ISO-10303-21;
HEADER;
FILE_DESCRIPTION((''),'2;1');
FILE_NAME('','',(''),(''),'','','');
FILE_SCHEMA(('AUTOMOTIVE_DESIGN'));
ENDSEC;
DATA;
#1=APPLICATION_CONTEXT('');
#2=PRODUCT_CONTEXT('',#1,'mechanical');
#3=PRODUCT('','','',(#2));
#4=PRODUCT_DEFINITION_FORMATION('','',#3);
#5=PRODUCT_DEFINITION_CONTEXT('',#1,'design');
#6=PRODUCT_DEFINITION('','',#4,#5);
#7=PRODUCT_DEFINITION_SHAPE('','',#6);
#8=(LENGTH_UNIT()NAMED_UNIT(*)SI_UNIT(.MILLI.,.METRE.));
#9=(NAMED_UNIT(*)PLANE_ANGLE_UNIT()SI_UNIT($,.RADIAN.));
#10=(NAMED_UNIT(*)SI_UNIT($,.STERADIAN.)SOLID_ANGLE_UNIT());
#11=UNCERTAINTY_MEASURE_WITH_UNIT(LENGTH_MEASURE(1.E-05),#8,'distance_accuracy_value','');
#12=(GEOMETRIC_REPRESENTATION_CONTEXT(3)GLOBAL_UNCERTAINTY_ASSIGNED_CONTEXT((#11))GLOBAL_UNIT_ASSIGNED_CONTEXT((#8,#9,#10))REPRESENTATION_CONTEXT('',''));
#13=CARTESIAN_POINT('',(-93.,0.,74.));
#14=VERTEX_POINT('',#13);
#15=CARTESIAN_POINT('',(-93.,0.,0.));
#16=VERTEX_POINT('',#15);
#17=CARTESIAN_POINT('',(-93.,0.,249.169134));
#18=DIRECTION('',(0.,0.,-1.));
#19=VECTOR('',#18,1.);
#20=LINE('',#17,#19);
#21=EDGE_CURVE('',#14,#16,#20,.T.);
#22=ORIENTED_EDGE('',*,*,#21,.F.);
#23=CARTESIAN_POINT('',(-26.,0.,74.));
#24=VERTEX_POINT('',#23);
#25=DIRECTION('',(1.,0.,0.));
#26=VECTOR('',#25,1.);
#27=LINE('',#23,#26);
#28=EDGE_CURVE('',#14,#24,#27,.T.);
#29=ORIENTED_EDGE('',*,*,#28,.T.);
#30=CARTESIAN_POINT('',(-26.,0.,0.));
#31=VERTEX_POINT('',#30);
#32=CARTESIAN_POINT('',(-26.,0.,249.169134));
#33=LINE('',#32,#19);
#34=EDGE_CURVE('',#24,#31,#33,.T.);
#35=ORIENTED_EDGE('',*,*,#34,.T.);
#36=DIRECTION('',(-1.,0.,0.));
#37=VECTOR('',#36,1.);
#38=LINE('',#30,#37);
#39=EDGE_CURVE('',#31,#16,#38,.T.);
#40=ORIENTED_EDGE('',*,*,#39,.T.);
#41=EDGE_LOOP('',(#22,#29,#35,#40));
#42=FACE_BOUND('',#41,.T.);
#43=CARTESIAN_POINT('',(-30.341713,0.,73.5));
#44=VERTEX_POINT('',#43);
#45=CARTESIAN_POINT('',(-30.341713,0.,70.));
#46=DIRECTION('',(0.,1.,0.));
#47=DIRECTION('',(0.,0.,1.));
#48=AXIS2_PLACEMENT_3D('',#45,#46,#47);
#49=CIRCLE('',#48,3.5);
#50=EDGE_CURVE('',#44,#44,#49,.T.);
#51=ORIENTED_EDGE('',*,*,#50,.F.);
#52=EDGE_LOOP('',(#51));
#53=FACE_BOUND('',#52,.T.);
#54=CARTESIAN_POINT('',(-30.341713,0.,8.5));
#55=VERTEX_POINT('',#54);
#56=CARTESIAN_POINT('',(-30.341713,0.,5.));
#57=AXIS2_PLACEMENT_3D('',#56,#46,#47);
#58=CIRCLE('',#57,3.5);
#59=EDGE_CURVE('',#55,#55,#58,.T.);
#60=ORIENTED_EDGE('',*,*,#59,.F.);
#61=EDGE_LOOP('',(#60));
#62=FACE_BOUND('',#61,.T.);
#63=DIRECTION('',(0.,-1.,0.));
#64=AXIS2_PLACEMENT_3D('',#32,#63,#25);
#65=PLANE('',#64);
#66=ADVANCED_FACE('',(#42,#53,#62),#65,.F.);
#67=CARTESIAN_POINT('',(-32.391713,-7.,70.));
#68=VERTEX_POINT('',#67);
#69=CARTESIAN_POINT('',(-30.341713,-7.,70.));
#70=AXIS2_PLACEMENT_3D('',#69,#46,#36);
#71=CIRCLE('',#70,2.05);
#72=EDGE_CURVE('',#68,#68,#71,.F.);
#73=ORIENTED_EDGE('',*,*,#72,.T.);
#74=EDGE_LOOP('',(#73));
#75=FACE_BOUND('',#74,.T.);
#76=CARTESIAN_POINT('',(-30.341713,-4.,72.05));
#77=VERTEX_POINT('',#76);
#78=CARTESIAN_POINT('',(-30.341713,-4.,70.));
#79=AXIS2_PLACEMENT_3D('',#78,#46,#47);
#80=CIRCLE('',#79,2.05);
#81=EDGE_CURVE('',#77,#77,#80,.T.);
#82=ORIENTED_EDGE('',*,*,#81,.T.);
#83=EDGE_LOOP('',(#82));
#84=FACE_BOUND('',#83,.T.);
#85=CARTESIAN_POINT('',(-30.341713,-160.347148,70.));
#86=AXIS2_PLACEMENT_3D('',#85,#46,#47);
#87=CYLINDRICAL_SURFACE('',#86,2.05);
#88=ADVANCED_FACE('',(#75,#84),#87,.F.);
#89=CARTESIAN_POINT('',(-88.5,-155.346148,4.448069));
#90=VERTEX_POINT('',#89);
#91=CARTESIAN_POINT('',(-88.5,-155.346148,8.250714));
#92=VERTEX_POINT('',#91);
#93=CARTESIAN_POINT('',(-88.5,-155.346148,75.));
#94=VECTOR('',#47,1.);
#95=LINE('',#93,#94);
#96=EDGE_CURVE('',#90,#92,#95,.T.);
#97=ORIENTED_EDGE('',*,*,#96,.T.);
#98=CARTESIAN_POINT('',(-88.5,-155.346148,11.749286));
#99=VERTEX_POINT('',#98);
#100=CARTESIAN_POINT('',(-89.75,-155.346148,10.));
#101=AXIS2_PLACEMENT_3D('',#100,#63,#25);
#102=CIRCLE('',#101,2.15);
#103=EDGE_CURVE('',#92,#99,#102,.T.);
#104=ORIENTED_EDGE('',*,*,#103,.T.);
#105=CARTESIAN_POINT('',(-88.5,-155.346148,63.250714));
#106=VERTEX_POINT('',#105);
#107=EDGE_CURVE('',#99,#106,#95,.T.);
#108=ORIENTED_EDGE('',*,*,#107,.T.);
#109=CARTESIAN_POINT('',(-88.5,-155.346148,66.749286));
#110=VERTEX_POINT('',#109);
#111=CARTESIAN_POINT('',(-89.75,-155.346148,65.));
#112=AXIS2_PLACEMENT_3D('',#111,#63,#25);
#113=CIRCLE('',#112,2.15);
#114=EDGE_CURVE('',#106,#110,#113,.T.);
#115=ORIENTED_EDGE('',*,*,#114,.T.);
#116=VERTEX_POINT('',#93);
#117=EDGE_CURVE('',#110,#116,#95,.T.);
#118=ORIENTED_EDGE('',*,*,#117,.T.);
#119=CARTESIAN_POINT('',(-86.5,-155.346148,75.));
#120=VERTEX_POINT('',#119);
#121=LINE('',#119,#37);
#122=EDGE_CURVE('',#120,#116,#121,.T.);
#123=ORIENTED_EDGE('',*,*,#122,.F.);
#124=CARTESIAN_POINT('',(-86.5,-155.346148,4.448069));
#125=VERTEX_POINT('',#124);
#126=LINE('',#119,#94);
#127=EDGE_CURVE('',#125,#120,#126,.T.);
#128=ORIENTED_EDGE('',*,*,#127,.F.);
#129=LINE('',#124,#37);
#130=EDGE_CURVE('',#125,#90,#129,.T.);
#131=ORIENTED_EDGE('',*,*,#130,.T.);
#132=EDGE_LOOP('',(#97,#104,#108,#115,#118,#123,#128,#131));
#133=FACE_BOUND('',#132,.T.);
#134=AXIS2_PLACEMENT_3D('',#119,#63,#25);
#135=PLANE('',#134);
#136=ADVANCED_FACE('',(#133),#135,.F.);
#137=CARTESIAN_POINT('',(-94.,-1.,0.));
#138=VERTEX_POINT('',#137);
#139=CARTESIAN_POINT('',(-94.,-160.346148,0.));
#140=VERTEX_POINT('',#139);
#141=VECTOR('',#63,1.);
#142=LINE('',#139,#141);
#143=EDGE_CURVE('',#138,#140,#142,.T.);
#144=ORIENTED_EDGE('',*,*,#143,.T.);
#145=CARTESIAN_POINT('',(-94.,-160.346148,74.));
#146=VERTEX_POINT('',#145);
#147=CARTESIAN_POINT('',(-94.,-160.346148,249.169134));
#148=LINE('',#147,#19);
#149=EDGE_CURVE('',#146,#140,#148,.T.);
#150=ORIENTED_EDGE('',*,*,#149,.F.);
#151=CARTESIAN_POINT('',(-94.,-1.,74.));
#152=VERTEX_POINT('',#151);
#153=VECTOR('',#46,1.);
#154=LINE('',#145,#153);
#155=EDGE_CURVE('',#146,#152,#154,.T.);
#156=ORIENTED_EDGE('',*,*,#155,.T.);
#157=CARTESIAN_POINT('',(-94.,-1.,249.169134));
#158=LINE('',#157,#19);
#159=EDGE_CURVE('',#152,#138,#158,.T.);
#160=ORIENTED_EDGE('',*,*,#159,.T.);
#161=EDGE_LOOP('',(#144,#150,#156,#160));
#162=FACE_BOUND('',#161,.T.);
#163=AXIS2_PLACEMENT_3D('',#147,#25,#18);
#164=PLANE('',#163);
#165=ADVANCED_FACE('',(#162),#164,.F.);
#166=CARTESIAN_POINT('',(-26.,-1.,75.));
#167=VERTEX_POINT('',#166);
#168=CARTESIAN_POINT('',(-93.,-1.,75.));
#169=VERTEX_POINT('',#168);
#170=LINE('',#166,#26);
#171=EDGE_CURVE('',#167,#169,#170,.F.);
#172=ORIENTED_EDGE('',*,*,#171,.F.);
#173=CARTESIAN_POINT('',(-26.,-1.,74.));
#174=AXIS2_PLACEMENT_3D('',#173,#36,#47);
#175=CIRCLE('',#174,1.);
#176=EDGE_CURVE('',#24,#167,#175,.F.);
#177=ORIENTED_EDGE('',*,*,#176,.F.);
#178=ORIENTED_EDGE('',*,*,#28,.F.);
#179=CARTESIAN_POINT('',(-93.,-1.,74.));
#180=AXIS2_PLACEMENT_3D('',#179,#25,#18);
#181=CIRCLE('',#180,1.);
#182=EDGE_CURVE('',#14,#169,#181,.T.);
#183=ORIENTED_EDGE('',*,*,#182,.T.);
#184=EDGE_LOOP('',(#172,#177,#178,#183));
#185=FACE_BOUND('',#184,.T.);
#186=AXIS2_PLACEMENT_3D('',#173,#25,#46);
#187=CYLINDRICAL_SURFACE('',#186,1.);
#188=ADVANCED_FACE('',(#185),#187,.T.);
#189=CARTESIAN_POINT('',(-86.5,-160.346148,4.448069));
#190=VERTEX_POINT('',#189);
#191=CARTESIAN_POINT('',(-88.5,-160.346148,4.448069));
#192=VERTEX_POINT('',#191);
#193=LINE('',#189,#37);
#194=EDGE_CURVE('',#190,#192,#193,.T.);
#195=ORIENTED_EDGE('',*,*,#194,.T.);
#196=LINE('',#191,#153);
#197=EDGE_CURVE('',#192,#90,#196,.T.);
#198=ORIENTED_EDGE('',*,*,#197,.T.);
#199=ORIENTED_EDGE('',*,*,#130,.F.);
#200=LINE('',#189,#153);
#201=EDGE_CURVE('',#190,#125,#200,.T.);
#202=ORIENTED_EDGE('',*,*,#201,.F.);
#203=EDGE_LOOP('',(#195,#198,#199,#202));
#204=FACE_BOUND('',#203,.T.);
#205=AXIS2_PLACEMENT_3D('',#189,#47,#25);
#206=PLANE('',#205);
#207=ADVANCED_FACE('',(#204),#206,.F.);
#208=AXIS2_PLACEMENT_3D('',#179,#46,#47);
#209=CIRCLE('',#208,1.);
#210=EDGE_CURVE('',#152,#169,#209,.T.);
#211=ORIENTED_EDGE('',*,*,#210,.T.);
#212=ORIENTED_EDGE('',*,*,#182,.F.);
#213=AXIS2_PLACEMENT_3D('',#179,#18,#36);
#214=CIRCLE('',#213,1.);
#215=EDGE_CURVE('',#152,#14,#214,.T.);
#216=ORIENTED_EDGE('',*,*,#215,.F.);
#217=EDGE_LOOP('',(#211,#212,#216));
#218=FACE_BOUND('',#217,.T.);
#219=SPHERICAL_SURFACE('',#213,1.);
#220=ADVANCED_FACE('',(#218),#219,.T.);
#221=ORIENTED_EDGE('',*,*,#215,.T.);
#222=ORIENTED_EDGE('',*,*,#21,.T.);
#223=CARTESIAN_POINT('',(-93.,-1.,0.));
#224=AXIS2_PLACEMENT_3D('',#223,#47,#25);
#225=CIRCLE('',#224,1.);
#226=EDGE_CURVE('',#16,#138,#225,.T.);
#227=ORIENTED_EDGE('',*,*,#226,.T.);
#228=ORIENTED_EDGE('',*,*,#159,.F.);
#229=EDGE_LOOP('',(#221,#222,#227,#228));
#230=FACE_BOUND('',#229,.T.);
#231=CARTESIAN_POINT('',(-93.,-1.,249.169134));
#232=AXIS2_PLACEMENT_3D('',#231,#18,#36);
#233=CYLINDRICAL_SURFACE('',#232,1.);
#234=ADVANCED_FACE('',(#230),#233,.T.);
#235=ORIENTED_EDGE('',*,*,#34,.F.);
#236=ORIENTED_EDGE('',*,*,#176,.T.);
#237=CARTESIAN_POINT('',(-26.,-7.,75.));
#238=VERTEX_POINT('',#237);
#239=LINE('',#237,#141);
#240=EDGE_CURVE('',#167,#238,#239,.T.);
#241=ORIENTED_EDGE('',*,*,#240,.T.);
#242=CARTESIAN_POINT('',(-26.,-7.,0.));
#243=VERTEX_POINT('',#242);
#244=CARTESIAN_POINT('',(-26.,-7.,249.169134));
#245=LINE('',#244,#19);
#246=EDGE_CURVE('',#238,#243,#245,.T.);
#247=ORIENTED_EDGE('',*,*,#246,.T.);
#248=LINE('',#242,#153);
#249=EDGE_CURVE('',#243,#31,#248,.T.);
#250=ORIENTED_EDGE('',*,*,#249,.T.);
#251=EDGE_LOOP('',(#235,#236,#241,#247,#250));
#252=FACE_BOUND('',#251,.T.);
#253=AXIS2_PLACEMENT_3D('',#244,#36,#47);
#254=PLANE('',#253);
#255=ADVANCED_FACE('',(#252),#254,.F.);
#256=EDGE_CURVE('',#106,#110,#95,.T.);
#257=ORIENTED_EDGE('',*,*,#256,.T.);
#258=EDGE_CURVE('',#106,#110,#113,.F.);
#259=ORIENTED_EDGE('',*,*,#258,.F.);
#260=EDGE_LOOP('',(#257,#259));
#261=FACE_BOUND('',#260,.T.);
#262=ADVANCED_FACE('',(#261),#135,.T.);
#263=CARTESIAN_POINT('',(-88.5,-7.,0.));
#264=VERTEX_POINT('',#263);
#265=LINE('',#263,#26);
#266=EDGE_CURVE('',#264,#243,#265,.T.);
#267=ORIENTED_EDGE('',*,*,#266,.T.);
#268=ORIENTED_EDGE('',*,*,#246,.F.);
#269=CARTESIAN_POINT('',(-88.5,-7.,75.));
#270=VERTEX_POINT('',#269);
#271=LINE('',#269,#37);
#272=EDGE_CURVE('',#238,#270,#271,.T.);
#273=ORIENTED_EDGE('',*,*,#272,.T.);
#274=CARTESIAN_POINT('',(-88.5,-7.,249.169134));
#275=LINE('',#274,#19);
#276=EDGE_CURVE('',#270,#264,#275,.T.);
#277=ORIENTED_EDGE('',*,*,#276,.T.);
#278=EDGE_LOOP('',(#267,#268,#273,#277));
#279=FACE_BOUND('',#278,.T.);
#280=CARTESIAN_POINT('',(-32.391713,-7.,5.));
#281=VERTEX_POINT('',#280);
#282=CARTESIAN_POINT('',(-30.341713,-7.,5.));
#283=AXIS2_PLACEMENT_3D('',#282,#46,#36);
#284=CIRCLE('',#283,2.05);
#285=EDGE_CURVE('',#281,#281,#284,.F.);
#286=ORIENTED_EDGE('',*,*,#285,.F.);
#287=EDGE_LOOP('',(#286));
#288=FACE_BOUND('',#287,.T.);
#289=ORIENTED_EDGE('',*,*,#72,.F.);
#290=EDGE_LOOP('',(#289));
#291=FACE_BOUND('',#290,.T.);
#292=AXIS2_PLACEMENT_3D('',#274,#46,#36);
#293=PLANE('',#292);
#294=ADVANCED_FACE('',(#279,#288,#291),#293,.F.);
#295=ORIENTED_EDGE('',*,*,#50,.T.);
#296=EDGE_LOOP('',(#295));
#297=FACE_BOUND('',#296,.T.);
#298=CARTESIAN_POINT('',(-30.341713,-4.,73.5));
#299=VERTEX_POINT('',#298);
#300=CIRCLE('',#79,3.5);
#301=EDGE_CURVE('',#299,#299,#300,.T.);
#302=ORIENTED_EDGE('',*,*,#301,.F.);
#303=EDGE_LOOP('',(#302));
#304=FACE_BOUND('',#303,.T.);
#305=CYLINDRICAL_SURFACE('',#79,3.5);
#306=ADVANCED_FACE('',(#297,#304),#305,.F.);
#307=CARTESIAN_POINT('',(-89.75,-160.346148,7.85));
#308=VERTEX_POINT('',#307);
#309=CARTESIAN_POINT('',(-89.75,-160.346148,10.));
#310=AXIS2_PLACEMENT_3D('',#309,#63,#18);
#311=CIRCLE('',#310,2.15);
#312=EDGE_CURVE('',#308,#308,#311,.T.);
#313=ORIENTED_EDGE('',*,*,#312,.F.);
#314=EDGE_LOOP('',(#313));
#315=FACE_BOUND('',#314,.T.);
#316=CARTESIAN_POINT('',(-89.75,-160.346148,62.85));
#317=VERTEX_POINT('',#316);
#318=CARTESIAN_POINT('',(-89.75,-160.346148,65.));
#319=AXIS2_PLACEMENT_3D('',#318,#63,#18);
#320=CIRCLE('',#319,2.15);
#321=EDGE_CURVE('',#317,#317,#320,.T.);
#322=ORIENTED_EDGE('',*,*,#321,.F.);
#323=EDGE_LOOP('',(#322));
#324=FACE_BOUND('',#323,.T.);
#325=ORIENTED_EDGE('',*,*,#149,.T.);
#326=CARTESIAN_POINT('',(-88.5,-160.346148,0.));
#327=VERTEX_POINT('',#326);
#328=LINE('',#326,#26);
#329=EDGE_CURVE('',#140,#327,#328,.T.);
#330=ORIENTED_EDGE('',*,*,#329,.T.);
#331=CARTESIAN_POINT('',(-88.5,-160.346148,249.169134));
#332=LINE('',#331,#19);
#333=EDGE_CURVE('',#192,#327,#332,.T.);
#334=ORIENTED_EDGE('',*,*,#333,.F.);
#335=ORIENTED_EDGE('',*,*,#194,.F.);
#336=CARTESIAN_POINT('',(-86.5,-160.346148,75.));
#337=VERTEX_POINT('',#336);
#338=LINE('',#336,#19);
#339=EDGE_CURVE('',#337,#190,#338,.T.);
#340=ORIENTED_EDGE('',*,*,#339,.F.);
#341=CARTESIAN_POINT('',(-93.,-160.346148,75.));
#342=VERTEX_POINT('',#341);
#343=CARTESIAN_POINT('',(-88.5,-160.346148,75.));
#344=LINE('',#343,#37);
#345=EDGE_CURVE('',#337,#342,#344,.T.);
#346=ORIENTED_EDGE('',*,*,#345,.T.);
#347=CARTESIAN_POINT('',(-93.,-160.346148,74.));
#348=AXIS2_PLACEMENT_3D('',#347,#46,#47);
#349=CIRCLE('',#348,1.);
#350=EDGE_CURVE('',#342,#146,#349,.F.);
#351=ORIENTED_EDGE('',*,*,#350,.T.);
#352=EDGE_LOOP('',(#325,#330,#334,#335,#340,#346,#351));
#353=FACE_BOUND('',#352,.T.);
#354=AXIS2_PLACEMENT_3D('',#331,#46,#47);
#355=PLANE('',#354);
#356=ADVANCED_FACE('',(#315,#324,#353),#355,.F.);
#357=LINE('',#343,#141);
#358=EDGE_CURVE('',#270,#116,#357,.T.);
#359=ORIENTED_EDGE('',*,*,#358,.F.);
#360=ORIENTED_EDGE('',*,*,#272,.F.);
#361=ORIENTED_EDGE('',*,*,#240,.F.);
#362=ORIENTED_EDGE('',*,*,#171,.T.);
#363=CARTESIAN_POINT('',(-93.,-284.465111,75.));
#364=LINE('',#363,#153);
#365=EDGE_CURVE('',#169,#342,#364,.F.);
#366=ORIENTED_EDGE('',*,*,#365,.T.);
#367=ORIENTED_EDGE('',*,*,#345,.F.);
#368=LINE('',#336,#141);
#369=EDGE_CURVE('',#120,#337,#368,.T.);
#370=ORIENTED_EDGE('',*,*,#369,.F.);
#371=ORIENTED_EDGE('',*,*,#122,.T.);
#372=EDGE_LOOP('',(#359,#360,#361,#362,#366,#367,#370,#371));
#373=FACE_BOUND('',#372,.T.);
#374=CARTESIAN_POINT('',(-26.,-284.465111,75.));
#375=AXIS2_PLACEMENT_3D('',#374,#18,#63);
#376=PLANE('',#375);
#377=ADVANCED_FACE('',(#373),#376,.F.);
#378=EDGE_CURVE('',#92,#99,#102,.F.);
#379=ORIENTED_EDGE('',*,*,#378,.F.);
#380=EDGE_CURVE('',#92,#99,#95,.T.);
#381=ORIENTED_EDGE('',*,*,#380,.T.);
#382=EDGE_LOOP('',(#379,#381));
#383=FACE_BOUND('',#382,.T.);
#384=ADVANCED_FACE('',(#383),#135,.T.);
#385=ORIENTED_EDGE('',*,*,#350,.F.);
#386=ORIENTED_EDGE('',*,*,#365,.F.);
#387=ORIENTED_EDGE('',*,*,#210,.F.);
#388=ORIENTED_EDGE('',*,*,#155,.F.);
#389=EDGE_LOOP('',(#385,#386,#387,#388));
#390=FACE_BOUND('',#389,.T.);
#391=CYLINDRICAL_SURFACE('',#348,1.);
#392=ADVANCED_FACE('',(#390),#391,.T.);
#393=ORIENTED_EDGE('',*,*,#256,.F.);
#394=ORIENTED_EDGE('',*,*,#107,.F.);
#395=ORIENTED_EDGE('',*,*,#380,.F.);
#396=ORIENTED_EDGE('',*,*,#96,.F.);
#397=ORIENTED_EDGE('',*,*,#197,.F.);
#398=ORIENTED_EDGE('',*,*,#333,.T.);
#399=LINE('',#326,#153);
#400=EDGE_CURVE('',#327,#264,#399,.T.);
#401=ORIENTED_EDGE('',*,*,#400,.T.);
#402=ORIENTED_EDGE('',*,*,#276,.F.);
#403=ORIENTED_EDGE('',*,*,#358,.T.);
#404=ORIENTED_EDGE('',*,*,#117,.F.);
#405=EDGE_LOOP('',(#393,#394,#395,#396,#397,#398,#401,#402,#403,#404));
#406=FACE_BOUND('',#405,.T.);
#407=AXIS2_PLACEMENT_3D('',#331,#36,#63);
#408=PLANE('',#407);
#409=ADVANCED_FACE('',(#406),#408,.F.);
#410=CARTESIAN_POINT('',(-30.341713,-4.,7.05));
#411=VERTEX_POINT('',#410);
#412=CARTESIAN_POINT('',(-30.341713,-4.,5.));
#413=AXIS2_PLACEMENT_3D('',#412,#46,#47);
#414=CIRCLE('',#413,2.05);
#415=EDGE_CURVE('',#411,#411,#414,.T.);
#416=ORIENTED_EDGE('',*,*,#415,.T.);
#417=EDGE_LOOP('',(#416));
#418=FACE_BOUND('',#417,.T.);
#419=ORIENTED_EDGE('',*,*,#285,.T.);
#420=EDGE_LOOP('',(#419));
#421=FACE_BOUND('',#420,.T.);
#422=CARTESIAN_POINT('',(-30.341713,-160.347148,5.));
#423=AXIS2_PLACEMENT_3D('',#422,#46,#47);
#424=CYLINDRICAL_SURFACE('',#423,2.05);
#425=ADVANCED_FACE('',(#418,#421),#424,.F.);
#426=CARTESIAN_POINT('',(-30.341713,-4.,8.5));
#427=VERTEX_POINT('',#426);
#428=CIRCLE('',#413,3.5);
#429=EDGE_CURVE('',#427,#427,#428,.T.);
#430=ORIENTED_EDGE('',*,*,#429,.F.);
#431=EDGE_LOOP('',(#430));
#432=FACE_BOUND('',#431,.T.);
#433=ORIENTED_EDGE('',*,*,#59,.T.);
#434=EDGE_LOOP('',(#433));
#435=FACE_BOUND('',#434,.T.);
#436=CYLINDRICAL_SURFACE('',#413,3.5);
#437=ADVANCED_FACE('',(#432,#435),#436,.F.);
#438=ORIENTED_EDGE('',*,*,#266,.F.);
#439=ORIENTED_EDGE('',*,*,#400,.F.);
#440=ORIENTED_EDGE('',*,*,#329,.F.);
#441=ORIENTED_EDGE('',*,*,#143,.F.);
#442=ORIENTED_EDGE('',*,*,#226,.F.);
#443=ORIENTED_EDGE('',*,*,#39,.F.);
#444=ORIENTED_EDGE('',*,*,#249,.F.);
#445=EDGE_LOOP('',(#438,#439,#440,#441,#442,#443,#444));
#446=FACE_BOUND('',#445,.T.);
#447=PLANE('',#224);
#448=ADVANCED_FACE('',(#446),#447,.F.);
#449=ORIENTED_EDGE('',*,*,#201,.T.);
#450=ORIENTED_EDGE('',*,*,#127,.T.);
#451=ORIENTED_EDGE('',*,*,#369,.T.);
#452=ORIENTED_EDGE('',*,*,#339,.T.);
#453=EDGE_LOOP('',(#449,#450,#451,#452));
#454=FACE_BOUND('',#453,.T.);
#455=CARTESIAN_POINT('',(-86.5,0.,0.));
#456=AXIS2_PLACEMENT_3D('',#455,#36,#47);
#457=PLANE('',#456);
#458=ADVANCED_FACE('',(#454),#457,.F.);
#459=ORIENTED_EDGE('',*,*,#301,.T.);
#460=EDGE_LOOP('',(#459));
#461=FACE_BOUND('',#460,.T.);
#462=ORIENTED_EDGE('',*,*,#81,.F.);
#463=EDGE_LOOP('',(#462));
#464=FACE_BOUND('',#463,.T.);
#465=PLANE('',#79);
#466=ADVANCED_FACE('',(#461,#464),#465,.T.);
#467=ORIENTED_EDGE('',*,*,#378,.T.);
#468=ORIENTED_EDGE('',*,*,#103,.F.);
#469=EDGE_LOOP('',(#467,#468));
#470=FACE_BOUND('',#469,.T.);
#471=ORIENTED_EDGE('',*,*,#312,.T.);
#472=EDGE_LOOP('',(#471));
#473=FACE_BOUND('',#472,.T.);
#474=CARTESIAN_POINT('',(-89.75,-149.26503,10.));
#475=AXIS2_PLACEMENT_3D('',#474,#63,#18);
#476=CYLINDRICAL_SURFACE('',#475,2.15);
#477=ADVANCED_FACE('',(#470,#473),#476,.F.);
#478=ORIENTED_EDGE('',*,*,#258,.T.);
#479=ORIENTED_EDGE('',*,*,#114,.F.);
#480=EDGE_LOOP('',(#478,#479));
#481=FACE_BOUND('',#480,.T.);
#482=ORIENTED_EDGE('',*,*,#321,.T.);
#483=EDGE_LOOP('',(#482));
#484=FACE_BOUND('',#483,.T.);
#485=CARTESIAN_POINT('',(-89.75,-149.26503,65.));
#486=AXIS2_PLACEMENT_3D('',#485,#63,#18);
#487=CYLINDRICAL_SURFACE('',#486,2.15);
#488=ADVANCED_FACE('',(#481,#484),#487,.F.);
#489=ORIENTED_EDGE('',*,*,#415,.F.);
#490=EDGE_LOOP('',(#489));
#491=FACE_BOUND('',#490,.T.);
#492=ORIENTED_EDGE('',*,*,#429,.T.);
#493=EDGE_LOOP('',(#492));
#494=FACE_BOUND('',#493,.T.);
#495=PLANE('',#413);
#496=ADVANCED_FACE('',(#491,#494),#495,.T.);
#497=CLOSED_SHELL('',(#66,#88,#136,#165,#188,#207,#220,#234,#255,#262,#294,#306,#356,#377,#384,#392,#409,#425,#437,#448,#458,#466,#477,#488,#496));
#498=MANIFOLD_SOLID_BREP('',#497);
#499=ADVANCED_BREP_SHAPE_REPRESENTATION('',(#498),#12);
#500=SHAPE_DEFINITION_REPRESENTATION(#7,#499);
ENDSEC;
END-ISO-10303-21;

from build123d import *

# Parameters (mm, degrees)
BOSS_EXTRUDE1_DEPTH = 75
CUT_EXTRUDE2_REACH  = 202.429
SKETCH4_R           = 2.05
SKETCH4_3_R         = 3.5
SKETCH4_3_R_2       = 2.05
CUT_EXTRUDE3_DEPTH  = 4
SKETCH5_W           = 70.551930768
SKETCH5_H           = 5
BOSS_EXTRUDE2_DEPTH = 2
SKETCH6_R           = 2.15
CUT_EXTRUDE4_DEPTH  = 5
FILLET1_R           = 1


with BuildPart() as part:
    # Sketch2 → Boss-Extrude1 (new body)
    with BuildSketch(Plane.XY):
        with BuildLine():
            Line((-88.5, -160.346147872), (-88.5, -7))
            Line((-88.5, -7), (-26, -7))
            Line((-26, -7), (-26, 0))
            Line((-26, 0), (-93, 0))
            ThreePointArc((-93, 0), (-93.707106781, -0.292893219), (-94, -1))
            Line((-94, -1), (-94, -160.346147872))
            Line((-94, -160.346147872), (-88.5, -160.346147872))
        make_face()
    extrude(amount=BOSS_EXTRUDE1_DEPTH)

    # Sketch4 → Cut-Extrude2 (cut, up to next)
    with BuildSketch(Plane(origin=(0, 0, 0), x_dir=(1, 0, 0), z_dir=(0, 1, 0)), mode=Mode.PRIVATE) as cut_extrude2_sk1:
        with Locations(Location((-30.341713377, -5, 0), (0, 0, 270))):
            Circle(SKETCH4_R)
    cut_extrude2_tool1 = extrude(cut_extrude2_sk1.sketch, amount=-CUT_EXTRUDE2_REACH, mode=Mode.PRIVATE) & part.part
    # Sketch4 → Cut-Extrude2 (cut, up to next)
    with BuildSketch(Plane(origin=(0, 0, 0), x_dir=(1, 0, 0), z_dir=(0, 1, 0)), mode=Mode.PRIVATE) as cut_extrude2_sk2:
        with Locations(Location((-30.341713377, -70, 0), (0, 0, 270))):
            Circle(SKETCH4_R)
    cut_extrude2_tool2 = extrude(cut_extrude2_sk2.sketch, amount=-CUT_EXTRUDE2_REACH, mode=Mode.PRIVATE) & part.part
    add(cut_extrude2_tool1.solids().sort_by_distance((-30.341713, 0, 5))[0], mode=Mode.SUBTRACT)
    add(cut_extrude2_tool2.solids().sort_by_distance((-30.341713, 0, 70))[0], mode=Mode.SUBTRACT)

    # Sketch4<3> → Cut-Extrude3 (cut)
    # profile 1 of 2: a face of its own
    with BuildSketch(Plane(origin=(0, 0, 0), x_dir=(1, 0, 0), z_dir=(0, 1, 0))):
        with Locations(Location((-30.341713377, -5, 0), (0, 0, 270))):
            Circle(SKETCH4_3_R)
        with Locations(Location((-30.341713377, -5, 0), (0, 0, 270))):
            Circle(SKETCH4_3_R_2, mode=Mode.SUBTRACT)
    # profile 2 of 2: a face of its own
    with BuildSketch(Plane(origin=(0, 0, 0), x_dir=(1, 0, 0), z_dir=(0, 1, 0))):
        with Locations(Location((-30.341713377, -70, 0), (0, 0, 270))):
            Circle(SKETCH4_3_R)
        with Locations(Location((-30.341713377, -70, 0), (0, 0, 270))):
            Circle(SKETCH4_3_R_2, mode=Mode.SUBTRACT)
    extrude(amount=-CUT_EXTRUDE3_DEPTH, mode=Mode.SUBTRACT)

    # Sketch5 → Boss-Extrude2 (add)
    with BuildSketch(Plane(origin=(-88.5, 0, 0), x_dir=(0, 0, -1), z_dir=(1, 0, 0))):
        with Locations((-39.724034616, -157.846147872)):
            Rectangle(SKETCH5_W, SKETCH5_H)
    extrude(amount=BOSS_EXTRUDE2_DEPTH)

    # Sketch6 → Cut-Extrude4 (cut)
    with BuildSketch(Plane.XZ.offset(160.346147872)):
        with Locations(Location((-89.75, 10, 0), (0, 0, 270))):
            Circle(SKETCH6_R)
        with Locations(Location((-89.75, 65, 0), (0, 0, 270))):
            Circle(SKETCH6_R)
    extrude(amount=-CUT_EXTRUDE4_DEPTH, mode=Mode.SUBTRACT)

    # Fillet1
    fillet1_edges = [part.edges().sort_by_distance(p)[0] for p in [
        (-94, -80.673073936, 75),
        (-93.707106781, -0.292893219, 75),
        (-59.5, 0, 75),
    ]]
    fillet(fillet1_edges, radius=FILLET1_R)


solid = part.part
